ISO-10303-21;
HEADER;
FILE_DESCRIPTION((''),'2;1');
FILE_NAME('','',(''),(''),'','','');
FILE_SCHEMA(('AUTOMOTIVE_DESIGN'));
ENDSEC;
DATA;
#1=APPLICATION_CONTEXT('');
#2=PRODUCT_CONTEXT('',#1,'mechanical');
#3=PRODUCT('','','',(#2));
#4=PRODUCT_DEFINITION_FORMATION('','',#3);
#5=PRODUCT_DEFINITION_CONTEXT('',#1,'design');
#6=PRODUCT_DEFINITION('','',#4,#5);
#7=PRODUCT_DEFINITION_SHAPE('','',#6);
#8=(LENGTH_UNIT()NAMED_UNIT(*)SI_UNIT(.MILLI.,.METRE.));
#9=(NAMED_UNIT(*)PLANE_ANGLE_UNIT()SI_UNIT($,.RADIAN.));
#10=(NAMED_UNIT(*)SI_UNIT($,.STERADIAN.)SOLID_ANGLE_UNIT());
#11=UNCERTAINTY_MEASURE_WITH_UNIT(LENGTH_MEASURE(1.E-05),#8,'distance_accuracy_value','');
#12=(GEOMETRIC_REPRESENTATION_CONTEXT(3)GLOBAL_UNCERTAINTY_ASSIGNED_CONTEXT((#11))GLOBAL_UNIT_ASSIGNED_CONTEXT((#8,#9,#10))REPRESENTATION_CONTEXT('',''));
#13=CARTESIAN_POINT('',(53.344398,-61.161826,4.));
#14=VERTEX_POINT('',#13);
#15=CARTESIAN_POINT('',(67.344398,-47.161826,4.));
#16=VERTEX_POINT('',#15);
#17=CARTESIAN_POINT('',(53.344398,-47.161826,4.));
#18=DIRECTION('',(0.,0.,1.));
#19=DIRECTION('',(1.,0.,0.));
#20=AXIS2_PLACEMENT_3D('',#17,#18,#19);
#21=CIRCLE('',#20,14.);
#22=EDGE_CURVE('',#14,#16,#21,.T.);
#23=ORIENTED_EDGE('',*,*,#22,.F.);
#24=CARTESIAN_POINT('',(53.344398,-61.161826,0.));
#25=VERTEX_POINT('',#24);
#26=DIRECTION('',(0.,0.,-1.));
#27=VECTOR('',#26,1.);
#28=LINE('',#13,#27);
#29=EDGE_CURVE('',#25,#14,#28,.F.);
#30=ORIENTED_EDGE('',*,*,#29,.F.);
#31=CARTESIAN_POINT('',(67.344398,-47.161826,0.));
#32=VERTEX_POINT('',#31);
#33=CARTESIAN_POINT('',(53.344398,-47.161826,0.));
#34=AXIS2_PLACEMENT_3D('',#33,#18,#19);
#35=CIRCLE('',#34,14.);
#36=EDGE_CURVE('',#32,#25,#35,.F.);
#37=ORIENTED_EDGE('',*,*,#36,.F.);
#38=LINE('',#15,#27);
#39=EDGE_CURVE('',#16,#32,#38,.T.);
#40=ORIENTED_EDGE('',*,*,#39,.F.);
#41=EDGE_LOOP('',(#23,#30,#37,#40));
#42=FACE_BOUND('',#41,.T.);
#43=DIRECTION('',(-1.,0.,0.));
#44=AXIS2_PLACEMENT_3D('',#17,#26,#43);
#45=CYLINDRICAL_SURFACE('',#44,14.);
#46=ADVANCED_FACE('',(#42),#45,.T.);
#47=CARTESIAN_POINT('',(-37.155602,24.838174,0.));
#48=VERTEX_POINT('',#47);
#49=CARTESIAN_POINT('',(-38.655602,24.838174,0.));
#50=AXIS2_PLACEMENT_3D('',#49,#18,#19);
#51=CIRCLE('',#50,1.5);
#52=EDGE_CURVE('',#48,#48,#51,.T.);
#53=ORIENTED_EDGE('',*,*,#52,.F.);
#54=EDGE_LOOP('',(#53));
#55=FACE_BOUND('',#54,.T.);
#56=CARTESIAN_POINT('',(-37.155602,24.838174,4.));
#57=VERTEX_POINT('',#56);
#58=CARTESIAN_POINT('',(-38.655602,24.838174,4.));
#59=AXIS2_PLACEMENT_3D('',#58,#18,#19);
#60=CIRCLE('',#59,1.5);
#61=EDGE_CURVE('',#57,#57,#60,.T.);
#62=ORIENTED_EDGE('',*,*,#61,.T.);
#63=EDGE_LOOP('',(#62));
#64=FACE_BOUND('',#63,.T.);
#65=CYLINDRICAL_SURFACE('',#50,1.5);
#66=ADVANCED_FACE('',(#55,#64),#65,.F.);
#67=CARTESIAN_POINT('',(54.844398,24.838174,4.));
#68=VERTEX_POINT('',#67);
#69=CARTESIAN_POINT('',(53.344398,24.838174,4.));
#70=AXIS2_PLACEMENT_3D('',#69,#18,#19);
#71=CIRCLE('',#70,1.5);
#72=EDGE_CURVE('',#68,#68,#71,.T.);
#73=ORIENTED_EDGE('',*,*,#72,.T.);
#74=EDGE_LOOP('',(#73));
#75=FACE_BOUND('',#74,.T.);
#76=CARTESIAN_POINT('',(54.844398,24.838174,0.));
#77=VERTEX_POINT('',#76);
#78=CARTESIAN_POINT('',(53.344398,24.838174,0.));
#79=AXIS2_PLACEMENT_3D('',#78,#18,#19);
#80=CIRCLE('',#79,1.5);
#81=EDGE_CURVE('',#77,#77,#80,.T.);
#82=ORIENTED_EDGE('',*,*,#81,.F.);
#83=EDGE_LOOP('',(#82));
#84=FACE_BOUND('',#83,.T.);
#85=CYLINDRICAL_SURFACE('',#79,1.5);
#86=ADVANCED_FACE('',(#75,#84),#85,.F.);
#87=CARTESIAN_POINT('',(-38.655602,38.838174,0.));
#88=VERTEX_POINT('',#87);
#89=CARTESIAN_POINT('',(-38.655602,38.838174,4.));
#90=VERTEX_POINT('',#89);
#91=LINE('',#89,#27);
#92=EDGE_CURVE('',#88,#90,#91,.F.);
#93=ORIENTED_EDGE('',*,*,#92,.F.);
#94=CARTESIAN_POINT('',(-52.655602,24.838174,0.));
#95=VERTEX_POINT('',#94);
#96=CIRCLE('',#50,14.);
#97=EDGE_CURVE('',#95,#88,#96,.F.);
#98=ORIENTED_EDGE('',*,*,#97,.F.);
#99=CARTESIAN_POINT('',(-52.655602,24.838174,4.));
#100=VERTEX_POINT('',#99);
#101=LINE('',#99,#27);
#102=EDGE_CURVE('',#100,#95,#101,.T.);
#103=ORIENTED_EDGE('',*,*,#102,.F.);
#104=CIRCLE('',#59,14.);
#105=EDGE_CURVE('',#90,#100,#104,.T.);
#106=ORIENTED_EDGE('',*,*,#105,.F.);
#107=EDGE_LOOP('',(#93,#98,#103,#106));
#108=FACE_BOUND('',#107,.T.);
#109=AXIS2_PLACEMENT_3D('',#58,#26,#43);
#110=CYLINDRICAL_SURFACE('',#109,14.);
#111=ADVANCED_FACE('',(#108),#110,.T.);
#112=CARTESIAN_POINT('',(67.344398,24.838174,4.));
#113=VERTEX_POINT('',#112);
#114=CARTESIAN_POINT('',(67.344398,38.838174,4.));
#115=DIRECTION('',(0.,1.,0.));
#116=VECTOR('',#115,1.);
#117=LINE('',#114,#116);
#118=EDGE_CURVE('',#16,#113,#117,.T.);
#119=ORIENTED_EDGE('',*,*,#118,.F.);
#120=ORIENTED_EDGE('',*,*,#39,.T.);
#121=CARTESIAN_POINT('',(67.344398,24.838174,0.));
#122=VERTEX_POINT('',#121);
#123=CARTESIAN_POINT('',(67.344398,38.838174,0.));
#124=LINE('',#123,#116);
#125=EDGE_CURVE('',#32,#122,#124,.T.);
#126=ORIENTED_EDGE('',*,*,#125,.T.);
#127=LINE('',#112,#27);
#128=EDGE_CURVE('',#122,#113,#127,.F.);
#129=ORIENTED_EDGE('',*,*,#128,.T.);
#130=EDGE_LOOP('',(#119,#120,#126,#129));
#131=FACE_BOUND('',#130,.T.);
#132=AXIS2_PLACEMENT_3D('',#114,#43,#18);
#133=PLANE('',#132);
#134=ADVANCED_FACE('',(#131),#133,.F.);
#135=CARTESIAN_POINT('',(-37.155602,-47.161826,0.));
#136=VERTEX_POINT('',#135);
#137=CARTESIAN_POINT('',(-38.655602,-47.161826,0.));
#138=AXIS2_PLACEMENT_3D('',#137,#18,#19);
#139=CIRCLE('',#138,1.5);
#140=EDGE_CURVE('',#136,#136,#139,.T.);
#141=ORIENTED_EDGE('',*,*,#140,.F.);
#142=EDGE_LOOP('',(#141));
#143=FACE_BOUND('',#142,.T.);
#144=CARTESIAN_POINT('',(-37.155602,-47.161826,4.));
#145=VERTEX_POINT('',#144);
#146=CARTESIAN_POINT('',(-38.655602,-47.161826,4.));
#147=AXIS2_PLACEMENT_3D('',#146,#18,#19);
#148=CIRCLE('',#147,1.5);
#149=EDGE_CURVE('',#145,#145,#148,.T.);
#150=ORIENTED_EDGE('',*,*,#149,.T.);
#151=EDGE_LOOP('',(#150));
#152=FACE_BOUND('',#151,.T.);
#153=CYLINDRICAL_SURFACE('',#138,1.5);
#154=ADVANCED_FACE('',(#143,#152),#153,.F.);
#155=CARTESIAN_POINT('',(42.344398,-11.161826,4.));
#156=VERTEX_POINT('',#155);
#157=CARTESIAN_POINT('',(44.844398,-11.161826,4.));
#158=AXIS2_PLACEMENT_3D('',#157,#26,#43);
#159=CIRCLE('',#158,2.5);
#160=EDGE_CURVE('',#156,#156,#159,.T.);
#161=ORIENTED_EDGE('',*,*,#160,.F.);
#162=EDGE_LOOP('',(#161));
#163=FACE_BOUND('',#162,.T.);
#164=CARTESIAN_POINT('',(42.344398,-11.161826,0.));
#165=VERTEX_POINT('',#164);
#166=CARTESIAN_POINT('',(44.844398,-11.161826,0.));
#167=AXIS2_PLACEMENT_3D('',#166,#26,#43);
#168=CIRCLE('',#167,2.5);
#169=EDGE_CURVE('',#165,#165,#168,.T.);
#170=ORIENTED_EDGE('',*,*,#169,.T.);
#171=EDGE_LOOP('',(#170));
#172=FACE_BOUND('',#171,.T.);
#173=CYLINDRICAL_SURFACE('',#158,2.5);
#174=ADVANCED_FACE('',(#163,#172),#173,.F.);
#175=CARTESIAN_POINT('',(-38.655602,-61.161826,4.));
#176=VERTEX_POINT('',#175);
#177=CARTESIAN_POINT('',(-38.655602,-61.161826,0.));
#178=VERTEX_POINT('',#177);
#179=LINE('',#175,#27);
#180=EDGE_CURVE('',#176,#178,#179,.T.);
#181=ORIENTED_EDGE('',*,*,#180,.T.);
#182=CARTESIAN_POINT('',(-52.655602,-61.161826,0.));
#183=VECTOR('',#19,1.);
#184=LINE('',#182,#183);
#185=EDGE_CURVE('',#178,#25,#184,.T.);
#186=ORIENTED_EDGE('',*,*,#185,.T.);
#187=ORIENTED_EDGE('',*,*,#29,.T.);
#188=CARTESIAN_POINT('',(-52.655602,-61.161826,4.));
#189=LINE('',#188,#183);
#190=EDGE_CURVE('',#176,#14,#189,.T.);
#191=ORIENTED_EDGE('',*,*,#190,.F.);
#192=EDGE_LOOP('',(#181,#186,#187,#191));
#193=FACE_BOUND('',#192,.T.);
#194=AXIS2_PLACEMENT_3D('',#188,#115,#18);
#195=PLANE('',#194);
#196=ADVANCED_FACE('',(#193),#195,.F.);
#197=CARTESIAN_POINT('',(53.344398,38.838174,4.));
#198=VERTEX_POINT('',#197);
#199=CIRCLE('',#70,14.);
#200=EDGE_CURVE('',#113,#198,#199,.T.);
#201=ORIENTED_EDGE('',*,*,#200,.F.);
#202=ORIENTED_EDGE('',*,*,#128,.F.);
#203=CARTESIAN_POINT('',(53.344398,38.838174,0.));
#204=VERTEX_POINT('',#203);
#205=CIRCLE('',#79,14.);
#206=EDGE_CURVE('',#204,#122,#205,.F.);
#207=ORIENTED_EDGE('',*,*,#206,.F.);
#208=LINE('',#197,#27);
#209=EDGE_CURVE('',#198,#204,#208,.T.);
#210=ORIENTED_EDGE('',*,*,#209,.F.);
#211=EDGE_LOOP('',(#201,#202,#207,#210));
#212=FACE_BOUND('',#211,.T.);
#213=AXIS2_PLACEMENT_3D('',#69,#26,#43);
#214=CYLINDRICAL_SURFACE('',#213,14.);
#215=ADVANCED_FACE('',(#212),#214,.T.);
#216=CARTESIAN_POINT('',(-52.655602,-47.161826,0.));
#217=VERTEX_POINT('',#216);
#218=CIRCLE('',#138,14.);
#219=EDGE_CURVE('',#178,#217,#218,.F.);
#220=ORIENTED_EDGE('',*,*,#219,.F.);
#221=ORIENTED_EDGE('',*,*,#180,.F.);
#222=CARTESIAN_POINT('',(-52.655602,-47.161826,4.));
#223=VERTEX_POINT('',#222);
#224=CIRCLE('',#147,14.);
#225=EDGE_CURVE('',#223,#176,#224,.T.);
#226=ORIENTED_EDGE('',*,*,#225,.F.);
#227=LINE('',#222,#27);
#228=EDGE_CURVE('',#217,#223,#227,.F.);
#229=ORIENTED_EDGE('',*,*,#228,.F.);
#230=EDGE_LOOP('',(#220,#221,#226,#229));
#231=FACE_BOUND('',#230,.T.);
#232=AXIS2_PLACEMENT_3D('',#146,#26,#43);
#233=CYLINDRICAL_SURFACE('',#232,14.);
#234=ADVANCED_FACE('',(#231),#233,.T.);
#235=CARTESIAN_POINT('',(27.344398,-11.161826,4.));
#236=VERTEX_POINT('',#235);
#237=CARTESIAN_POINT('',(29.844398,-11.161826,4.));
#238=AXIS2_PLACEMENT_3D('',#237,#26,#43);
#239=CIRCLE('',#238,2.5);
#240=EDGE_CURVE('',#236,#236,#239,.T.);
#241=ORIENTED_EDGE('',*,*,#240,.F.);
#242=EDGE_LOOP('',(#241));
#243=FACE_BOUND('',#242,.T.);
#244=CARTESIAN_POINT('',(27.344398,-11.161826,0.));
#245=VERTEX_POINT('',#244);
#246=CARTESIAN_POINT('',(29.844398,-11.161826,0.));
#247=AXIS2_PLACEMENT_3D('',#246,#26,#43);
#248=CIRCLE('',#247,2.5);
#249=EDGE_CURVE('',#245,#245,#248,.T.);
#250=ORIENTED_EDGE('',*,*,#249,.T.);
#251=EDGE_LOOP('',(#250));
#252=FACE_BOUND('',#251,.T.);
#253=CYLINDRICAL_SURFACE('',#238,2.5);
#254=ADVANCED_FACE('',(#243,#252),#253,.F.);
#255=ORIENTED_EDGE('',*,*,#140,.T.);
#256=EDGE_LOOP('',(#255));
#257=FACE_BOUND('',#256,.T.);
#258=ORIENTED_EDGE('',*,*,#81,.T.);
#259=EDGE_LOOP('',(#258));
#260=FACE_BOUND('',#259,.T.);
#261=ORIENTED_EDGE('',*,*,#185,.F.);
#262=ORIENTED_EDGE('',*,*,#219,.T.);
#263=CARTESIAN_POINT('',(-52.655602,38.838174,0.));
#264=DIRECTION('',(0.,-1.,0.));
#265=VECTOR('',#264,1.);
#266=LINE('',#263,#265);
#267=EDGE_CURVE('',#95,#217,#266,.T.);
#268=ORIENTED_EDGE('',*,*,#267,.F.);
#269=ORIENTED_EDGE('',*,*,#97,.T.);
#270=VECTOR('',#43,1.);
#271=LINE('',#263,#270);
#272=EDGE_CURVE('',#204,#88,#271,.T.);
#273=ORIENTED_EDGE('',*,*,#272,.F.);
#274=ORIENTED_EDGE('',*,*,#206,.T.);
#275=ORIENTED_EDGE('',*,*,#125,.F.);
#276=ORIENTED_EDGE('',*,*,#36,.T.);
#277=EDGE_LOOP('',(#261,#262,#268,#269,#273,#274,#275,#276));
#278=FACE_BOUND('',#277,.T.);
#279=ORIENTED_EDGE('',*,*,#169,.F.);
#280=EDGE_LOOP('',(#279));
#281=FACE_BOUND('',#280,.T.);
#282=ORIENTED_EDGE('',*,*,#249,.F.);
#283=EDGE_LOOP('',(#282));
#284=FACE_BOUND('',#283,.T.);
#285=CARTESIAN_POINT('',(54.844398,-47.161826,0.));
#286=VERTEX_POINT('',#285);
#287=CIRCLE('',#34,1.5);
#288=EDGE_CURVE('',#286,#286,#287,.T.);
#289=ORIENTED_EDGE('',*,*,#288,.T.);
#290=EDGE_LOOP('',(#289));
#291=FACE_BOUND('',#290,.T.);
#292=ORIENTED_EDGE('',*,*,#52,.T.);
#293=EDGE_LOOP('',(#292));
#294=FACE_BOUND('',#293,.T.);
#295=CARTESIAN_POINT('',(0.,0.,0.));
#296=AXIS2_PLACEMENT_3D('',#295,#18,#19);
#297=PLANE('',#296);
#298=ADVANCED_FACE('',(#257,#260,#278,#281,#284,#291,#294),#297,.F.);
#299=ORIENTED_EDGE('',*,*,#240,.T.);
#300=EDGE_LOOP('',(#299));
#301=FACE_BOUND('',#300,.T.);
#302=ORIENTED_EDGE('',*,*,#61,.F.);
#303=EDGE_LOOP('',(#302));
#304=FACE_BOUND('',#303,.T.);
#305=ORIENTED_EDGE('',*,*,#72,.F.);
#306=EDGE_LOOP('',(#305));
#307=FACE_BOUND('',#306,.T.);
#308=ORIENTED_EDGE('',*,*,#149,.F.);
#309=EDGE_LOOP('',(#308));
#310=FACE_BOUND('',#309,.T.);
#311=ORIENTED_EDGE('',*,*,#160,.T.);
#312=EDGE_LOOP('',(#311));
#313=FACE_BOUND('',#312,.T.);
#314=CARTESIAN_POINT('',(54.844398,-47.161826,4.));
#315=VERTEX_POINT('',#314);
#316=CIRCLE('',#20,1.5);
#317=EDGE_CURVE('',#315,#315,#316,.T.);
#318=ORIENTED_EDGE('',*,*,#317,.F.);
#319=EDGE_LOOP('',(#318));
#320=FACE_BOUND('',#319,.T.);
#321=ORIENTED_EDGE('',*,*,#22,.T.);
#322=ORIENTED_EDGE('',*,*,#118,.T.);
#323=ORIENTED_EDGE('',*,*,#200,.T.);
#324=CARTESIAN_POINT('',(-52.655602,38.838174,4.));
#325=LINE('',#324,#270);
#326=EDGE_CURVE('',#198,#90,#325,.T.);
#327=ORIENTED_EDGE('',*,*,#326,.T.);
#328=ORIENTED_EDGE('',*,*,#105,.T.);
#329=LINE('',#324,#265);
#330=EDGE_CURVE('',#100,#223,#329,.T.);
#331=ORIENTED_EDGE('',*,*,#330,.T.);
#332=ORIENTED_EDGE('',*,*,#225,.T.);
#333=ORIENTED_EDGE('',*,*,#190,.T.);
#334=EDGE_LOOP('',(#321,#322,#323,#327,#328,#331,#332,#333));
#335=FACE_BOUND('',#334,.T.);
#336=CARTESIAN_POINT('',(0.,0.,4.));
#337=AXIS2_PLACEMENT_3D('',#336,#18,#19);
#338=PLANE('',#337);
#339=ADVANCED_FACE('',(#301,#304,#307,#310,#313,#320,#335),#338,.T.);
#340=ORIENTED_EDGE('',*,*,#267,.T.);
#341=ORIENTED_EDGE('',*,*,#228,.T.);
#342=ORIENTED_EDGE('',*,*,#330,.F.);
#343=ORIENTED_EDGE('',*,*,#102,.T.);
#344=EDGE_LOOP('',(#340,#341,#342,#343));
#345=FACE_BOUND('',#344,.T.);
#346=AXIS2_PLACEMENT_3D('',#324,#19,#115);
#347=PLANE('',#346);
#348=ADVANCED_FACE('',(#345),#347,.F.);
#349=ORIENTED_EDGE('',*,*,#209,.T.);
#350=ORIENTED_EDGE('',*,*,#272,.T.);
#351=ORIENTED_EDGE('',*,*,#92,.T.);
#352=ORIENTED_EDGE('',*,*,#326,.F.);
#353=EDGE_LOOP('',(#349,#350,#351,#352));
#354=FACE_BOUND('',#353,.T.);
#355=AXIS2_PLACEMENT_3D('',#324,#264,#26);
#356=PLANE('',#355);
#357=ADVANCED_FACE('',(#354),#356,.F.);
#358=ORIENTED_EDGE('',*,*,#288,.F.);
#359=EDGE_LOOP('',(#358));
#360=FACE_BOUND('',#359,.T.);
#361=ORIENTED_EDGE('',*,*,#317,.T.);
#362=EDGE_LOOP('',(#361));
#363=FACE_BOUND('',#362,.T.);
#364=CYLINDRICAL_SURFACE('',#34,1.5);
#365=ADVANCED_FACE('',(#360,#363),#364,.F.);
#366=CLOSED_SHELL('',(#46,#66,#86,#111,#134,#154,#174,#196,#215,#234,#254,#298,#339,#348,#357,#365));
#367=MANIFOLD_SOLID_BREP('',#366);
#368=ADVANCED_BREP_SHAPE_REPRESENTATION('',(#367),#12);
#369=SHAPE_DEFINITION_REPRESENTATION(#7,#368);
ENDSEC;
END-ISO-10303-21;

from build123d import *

# Parameters (mm, degrees)
SKETCH_1_W          = 120
SKETCH_1_H          = 100
EXTRUDE_1_DEPTH     = 4
FILLET_1_R          = 14
SKETCH_2_R          = 1.5
CUT_EXTRUDE_1_DEPTH = 5
SKETCH_7_R          = 2.5
CUT_EXTRUDE_2_DEPTH = 5


with BuildPart() as part:
    # 草图1 → 凸台-拉伸1 (new body)
    with BuildSketch(Plane.XY):
        with Locations((7.34439834, -11.161825726)):
            Rectangle(SKETCH_1_W, SKETCH_1_H)
    extrude(amount=EXTRUDE_1_DEPTH)

    # 圆角1
    fillet_1_edges = [part.edges().sort_by_distance(p)[0] for p in [
        (-52.65560166, 38.838174274, 2),
        (67.34439834, 38.838174274, 2),
        (67.34439834, -61.161825726, 2),
        (-52.65560166, -61.161825726, 2),
    ]]
    fillet(fillet_1_edges, radius=FILLET_1_R)

    # 草图2 → 切除-拉伸1 (cut, through all)
    with BuildSketch(Plane.XY.offset(4)):
        with Locations((53.34439834, 24.838174274)):
            Circle(SKETCH_2_R)
        with Locations((-38.65560166, 24.838174274)):
            Circle(SKETCH_2_R)
        with Locations((-38.65560166, -47.161825726)):
            Circle(SKETCH_2_R)
        with Locations((53.34439834, -47.161825726)):
            Circle(SKETCH_2_R)
    extrude(amount=-CUT_EXTRUDE_1_DEPTH, mode=Mode.SUBTRACT)

    # 草图7 → 切除-拉伸2 (cut, through all)
    with BuildSketch(Plane(origin=(0, 0, 0), x_dir=(-1, 0, 0), z_dir=(0, 0, -1))):
        with Locations((-44.84439834, -11.161825726)):
            Circle(SKETCH_7_R)
        with Locations((-29.84439834, -11.161825726)):
            Circle(SKETCH_7_R)
    extrude(amount=-CUT_EXTRUDE_2_DEPTH, mode=Mode.SUBTRACT)


solid = part.part
